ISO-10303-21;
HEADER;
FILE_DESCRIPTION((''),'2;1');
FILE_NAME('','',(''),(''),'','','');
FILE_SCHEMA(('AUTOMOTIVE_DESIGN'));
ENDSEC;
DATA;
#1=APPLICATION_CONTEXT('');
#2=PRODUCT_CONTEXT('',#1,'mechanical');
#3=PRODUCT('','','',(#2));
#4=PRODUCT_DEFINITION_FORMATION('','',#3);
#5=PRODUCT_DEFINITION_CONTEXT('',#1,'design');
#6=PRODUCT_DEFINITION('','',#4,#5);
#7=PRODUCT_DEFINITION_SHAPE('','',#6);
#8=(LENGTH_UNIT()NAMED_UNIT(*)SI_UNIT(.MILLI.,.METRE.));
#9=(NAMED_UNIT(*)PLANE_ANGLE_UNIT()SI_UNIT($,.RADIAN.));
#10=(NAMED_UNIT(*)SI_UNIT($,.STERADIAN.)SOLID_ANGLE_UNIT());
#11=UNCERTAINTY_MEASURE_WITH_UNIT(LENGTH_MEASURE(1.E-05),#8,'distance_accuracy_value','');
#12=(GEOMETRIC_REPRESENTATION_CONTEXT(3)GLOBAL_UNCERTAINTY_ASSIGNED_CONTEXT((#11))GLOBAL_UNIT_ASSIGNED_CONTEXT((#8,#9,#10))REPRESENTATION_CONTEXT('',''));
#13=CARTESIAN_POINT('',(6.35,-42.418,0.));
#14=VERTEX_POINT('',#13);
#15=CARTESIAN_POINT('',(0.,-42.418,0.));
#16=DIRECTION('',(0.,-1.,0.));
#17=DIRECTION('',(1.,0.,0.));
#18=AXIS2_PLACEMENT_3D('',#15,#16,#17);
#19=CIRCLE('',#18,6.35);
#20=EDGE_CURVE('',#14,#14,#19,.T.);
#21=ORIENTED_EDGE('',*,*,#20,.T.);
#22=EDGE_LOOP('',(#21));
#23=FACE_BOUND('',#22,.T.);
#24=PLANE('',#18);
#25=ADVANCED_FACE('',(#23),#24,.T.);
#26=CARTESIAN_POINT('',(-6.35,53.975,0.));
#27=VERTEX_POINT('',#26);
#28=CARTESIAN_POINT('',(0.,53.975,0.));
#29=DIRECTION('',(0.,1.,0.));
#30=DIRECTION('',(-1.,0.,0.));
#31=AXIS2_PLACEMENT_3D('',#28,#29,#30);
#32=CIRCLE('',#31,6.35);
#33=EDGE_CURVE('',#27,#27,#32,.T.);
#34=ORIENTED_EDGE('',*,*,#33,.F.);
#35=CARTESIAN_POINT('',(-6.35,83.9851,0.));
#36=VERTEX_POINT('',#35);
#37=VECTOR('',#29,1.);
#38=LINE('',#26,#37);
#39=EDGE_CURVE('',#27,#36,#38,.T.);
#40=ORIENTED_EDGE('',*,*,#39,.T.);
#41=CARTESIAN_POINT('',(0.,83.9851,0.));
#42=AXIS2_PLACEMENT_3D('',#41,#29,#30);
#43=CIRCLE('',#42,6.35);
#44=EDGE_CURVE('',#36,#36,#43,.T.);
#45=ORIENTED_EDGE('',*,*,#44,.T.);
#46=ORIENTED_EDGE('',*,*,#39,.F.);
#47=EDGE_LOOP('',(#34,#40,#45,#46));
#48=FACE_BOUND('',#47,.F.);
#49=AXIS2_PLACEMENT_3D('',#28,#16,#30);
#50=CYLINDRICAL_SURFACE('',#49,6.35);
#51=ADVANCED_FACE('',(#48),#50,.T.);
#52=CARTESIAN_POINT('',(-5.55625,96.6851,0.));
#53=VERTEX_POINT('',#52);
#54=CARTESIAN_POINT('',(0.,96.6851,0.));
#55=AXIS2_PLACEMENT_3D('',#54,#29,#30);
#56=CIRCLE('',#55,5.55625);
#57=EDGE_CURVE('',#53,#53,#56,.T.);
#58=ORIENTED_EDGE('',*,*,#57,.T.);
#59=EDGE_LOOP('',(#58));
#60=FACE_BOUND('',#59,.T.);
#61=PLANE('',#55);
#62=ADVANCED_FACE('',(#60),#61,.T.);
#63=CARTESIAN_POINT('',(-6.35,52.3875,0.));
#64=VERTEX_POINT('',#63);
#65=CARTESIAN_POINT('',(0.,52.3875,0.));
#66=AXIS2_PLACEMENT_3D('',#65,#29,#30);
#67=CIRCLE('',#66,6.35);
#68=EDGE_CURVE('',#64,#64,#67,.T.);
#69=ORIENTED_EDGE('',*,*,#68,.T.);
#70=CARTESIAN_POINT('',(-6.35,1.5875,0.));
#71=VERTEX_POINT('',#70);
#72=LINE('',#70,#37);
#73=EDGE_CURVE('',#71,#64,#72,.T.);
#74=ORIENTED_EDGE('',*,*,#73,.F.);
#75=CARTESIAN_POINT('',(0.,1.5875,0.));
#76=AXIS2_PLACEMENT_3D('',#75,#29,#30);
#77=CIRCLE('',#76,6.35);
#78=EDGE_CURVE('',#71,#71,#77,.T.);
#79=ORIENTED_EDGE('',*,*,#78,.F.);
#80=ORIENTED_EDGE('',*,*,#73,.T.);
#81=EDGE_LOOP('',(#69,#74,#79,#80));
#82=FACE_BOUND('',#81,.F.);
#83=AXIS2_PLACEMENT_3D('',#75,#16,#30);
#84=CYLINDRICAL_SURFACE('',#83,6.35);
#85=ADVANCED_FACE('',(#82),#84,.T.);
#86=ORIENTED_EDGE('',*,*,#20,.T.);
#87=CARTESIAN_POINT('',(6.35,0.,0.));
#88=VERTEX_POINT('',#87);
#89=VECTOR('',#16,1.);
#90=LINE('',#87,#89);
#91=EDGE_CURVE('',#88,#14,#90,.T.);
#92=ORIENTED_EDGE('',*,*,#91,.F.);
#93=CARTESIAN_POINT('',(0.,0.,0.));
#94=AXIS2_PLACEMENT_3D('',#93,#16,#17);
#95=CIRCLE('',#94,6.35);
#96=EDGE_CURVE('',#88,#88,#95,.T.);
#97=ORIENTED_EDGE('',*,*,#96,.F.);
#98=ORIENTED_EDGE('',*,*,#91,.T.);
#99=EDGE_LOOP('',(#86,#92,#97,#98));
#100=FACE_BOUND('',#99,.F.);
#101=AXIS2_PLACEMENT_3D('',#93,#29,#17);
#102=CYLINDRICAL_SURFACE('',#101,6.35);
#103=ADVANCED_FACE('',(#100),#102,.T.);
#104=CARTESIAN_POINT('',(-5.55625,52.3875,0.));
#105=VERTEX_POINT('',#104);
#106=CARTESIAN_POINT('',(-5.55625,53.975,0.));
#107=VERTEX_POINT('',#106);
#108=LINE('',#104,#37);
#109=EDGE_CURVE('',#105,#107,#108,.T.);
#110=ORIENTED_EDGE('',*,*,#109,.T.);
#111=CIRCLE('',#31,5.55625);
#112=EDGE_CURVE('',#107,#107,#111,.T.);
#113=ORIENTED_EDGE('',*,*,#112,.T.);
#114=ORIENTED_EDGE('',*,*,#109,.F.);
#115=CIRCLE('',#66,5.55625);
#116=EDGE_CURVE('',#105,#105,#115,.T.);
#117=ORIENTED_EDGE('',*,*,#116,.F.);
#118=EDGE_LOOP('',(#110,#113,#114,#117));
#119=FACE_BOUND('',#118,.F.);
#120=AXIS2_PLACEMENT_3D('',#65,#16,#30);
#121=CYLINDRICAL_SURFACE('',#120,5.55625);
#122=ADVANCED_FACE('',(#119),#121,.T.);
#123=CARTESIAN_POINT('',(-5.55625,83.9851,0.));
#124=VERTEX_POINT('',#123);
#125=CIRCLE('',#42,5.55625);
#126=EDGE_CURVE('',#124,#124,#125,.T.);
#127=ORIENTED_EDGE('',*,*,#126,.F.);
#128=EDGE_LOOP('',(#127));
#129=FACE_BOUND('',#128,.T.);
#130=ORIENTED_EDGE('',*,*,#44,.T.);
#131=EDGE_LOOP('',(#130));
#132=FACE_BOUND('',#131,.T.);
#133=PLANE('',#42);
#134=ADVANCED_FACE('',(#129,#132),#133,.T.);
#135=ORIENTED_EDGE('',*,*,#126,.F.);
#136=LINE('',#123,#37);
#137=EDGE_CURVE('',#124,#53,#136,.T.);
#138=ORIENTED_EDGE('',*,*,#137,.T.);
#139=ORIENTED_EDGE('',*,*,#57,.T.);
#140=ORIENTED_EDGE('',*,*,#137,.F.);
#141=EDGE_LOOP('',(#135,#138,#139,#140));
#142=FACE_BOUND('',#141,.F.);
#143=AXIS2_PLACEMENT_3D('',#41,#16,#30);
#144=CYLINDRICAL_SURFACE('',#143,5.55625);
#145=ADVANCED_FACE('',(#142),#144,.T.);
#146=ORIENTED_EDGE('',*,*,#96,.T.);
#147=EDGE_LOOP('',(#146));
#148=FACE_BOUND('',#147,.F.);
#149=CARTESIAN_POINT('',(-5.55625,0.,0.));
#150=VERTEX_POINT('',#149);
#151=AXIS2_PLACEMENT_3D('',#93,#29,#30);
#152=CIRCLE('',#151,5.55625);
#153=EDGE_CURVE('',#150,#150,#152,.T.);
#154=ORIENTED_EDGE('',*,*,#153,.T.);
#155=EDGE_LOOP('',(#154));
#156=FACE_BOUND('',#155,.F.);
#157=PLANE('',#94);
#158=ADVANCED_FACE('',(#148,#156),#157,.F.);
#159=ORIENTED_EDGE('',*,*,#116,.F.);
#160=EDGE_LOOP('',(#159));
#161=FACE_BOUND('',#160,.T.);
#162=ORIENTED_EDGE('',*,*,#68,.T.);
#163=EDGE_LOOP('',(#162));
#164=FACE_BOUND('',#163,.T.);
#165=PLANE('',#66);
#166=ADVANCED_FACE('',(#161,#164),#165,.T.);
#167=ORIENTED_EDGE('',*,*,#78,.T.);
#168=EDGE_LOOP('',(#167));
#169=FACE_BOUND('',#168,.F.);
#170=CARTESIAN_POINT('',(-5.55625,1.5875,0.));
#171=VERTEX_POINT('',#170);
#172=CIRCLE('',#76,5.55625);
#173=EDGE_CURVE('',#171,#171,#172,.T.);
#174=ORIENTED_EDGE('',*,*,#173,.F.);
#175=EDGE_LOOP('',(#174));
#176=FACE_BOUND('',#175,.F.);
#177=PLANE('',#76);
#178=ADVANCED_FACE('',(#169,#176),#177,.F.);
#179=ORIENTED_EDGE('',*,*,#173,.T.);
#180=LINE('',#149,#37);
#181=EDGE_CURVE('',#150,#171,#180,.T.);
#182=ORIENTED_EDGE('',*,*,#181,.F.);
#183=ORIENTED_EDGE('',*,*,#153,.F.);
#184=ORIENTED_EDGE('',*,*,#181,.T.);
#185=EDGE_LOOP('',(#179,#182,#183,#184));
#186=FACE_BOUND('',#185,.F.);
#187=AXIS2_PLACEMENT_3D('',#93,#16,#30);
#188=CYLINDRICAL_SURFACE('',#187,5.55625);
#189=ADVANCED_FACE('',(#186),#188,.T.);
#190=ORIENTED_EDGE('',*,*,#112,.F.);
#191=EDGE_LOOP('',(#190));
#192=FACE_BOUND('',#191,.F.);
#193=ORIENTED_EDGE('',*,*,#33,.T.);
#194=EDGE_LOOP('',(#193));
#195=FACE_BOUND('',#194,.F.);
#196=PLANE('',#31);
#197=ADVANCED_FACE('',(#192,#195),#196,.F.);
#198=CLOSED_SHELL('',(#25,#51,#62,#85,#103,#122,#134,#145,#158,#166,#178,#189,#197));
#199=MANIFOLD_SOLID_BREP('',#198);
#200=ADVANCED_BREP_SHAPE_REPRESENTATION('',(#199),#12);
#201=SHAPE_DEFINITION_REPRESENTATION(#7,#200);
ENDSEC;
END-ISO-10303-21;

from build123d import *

# Parameters (mm, degrees)
F0_R      = 6.35
F1_DEPTH  = 42.418
F2_R      = 5.55625
F3_DEPTH  = 1.5875
F4_R      = 6.35
F5_DEPTH  = 50.8
F6_R      = 5.55625
F7_DEPTH  = 1.5875
F8_R      = 6.35
F9_DEPTH  = 30.0101
F10_R     = 5.55625
F11_DEPTH = 12.7


with BuildPart() as f1:
    # F0 (on Front) → F1 (new body)
    with BuildSketch(Plane.XZ):
        Circle(F0_R)
    extrude(amount=F1_DEPTH)

    # F2 (on face) → F3 (join)
    with BuildSketch(Plane(origin=(0, 0, 0), x_dir=(-1, 0, 0), z_dir=(0, 1, 0))):
        Circle(F2_R)
    extrude(amount=F3_DEPTH)

    # F4 (on face) → F5 (join)
    with BuildSketch(Plane(origin=(0, 1.5875, 0), x_dir=(-1, 0, 0), z_dir=(0, 1, 0))):
        Circle(F4_R)
    extrude(amount=F5_DEPTH)

    # F6 (on face) → F7 (join)
    with BuildSketch(Plane(origin=(0, 52.3875, 0), x_dir=(-1, 0, 0), z_dir=(0, 1, 0))):
        Circle(F6_R)
    extrude(amount=F7_DEPTH)

    # F8 (on face) → F9 (join)
    with BuildSketch(Plane(origin=(0, 53.975, 0), x_dir=(-1, 0, 0), z_dir=(0, 1, 0))):
        Circle(F8_R)
    extrude(amount=F9_DEPTH)

    # F10 (on face) → F11 (join)
    with BuildSketch(Plane(origin=(0, 83.9851, 0), x_dir=(-1, 0, 0), z_dir=(0, 1, 0))):
        Circle(F10_R)
    extrude(amount=F11_DEPTH)


solid = f1.part
